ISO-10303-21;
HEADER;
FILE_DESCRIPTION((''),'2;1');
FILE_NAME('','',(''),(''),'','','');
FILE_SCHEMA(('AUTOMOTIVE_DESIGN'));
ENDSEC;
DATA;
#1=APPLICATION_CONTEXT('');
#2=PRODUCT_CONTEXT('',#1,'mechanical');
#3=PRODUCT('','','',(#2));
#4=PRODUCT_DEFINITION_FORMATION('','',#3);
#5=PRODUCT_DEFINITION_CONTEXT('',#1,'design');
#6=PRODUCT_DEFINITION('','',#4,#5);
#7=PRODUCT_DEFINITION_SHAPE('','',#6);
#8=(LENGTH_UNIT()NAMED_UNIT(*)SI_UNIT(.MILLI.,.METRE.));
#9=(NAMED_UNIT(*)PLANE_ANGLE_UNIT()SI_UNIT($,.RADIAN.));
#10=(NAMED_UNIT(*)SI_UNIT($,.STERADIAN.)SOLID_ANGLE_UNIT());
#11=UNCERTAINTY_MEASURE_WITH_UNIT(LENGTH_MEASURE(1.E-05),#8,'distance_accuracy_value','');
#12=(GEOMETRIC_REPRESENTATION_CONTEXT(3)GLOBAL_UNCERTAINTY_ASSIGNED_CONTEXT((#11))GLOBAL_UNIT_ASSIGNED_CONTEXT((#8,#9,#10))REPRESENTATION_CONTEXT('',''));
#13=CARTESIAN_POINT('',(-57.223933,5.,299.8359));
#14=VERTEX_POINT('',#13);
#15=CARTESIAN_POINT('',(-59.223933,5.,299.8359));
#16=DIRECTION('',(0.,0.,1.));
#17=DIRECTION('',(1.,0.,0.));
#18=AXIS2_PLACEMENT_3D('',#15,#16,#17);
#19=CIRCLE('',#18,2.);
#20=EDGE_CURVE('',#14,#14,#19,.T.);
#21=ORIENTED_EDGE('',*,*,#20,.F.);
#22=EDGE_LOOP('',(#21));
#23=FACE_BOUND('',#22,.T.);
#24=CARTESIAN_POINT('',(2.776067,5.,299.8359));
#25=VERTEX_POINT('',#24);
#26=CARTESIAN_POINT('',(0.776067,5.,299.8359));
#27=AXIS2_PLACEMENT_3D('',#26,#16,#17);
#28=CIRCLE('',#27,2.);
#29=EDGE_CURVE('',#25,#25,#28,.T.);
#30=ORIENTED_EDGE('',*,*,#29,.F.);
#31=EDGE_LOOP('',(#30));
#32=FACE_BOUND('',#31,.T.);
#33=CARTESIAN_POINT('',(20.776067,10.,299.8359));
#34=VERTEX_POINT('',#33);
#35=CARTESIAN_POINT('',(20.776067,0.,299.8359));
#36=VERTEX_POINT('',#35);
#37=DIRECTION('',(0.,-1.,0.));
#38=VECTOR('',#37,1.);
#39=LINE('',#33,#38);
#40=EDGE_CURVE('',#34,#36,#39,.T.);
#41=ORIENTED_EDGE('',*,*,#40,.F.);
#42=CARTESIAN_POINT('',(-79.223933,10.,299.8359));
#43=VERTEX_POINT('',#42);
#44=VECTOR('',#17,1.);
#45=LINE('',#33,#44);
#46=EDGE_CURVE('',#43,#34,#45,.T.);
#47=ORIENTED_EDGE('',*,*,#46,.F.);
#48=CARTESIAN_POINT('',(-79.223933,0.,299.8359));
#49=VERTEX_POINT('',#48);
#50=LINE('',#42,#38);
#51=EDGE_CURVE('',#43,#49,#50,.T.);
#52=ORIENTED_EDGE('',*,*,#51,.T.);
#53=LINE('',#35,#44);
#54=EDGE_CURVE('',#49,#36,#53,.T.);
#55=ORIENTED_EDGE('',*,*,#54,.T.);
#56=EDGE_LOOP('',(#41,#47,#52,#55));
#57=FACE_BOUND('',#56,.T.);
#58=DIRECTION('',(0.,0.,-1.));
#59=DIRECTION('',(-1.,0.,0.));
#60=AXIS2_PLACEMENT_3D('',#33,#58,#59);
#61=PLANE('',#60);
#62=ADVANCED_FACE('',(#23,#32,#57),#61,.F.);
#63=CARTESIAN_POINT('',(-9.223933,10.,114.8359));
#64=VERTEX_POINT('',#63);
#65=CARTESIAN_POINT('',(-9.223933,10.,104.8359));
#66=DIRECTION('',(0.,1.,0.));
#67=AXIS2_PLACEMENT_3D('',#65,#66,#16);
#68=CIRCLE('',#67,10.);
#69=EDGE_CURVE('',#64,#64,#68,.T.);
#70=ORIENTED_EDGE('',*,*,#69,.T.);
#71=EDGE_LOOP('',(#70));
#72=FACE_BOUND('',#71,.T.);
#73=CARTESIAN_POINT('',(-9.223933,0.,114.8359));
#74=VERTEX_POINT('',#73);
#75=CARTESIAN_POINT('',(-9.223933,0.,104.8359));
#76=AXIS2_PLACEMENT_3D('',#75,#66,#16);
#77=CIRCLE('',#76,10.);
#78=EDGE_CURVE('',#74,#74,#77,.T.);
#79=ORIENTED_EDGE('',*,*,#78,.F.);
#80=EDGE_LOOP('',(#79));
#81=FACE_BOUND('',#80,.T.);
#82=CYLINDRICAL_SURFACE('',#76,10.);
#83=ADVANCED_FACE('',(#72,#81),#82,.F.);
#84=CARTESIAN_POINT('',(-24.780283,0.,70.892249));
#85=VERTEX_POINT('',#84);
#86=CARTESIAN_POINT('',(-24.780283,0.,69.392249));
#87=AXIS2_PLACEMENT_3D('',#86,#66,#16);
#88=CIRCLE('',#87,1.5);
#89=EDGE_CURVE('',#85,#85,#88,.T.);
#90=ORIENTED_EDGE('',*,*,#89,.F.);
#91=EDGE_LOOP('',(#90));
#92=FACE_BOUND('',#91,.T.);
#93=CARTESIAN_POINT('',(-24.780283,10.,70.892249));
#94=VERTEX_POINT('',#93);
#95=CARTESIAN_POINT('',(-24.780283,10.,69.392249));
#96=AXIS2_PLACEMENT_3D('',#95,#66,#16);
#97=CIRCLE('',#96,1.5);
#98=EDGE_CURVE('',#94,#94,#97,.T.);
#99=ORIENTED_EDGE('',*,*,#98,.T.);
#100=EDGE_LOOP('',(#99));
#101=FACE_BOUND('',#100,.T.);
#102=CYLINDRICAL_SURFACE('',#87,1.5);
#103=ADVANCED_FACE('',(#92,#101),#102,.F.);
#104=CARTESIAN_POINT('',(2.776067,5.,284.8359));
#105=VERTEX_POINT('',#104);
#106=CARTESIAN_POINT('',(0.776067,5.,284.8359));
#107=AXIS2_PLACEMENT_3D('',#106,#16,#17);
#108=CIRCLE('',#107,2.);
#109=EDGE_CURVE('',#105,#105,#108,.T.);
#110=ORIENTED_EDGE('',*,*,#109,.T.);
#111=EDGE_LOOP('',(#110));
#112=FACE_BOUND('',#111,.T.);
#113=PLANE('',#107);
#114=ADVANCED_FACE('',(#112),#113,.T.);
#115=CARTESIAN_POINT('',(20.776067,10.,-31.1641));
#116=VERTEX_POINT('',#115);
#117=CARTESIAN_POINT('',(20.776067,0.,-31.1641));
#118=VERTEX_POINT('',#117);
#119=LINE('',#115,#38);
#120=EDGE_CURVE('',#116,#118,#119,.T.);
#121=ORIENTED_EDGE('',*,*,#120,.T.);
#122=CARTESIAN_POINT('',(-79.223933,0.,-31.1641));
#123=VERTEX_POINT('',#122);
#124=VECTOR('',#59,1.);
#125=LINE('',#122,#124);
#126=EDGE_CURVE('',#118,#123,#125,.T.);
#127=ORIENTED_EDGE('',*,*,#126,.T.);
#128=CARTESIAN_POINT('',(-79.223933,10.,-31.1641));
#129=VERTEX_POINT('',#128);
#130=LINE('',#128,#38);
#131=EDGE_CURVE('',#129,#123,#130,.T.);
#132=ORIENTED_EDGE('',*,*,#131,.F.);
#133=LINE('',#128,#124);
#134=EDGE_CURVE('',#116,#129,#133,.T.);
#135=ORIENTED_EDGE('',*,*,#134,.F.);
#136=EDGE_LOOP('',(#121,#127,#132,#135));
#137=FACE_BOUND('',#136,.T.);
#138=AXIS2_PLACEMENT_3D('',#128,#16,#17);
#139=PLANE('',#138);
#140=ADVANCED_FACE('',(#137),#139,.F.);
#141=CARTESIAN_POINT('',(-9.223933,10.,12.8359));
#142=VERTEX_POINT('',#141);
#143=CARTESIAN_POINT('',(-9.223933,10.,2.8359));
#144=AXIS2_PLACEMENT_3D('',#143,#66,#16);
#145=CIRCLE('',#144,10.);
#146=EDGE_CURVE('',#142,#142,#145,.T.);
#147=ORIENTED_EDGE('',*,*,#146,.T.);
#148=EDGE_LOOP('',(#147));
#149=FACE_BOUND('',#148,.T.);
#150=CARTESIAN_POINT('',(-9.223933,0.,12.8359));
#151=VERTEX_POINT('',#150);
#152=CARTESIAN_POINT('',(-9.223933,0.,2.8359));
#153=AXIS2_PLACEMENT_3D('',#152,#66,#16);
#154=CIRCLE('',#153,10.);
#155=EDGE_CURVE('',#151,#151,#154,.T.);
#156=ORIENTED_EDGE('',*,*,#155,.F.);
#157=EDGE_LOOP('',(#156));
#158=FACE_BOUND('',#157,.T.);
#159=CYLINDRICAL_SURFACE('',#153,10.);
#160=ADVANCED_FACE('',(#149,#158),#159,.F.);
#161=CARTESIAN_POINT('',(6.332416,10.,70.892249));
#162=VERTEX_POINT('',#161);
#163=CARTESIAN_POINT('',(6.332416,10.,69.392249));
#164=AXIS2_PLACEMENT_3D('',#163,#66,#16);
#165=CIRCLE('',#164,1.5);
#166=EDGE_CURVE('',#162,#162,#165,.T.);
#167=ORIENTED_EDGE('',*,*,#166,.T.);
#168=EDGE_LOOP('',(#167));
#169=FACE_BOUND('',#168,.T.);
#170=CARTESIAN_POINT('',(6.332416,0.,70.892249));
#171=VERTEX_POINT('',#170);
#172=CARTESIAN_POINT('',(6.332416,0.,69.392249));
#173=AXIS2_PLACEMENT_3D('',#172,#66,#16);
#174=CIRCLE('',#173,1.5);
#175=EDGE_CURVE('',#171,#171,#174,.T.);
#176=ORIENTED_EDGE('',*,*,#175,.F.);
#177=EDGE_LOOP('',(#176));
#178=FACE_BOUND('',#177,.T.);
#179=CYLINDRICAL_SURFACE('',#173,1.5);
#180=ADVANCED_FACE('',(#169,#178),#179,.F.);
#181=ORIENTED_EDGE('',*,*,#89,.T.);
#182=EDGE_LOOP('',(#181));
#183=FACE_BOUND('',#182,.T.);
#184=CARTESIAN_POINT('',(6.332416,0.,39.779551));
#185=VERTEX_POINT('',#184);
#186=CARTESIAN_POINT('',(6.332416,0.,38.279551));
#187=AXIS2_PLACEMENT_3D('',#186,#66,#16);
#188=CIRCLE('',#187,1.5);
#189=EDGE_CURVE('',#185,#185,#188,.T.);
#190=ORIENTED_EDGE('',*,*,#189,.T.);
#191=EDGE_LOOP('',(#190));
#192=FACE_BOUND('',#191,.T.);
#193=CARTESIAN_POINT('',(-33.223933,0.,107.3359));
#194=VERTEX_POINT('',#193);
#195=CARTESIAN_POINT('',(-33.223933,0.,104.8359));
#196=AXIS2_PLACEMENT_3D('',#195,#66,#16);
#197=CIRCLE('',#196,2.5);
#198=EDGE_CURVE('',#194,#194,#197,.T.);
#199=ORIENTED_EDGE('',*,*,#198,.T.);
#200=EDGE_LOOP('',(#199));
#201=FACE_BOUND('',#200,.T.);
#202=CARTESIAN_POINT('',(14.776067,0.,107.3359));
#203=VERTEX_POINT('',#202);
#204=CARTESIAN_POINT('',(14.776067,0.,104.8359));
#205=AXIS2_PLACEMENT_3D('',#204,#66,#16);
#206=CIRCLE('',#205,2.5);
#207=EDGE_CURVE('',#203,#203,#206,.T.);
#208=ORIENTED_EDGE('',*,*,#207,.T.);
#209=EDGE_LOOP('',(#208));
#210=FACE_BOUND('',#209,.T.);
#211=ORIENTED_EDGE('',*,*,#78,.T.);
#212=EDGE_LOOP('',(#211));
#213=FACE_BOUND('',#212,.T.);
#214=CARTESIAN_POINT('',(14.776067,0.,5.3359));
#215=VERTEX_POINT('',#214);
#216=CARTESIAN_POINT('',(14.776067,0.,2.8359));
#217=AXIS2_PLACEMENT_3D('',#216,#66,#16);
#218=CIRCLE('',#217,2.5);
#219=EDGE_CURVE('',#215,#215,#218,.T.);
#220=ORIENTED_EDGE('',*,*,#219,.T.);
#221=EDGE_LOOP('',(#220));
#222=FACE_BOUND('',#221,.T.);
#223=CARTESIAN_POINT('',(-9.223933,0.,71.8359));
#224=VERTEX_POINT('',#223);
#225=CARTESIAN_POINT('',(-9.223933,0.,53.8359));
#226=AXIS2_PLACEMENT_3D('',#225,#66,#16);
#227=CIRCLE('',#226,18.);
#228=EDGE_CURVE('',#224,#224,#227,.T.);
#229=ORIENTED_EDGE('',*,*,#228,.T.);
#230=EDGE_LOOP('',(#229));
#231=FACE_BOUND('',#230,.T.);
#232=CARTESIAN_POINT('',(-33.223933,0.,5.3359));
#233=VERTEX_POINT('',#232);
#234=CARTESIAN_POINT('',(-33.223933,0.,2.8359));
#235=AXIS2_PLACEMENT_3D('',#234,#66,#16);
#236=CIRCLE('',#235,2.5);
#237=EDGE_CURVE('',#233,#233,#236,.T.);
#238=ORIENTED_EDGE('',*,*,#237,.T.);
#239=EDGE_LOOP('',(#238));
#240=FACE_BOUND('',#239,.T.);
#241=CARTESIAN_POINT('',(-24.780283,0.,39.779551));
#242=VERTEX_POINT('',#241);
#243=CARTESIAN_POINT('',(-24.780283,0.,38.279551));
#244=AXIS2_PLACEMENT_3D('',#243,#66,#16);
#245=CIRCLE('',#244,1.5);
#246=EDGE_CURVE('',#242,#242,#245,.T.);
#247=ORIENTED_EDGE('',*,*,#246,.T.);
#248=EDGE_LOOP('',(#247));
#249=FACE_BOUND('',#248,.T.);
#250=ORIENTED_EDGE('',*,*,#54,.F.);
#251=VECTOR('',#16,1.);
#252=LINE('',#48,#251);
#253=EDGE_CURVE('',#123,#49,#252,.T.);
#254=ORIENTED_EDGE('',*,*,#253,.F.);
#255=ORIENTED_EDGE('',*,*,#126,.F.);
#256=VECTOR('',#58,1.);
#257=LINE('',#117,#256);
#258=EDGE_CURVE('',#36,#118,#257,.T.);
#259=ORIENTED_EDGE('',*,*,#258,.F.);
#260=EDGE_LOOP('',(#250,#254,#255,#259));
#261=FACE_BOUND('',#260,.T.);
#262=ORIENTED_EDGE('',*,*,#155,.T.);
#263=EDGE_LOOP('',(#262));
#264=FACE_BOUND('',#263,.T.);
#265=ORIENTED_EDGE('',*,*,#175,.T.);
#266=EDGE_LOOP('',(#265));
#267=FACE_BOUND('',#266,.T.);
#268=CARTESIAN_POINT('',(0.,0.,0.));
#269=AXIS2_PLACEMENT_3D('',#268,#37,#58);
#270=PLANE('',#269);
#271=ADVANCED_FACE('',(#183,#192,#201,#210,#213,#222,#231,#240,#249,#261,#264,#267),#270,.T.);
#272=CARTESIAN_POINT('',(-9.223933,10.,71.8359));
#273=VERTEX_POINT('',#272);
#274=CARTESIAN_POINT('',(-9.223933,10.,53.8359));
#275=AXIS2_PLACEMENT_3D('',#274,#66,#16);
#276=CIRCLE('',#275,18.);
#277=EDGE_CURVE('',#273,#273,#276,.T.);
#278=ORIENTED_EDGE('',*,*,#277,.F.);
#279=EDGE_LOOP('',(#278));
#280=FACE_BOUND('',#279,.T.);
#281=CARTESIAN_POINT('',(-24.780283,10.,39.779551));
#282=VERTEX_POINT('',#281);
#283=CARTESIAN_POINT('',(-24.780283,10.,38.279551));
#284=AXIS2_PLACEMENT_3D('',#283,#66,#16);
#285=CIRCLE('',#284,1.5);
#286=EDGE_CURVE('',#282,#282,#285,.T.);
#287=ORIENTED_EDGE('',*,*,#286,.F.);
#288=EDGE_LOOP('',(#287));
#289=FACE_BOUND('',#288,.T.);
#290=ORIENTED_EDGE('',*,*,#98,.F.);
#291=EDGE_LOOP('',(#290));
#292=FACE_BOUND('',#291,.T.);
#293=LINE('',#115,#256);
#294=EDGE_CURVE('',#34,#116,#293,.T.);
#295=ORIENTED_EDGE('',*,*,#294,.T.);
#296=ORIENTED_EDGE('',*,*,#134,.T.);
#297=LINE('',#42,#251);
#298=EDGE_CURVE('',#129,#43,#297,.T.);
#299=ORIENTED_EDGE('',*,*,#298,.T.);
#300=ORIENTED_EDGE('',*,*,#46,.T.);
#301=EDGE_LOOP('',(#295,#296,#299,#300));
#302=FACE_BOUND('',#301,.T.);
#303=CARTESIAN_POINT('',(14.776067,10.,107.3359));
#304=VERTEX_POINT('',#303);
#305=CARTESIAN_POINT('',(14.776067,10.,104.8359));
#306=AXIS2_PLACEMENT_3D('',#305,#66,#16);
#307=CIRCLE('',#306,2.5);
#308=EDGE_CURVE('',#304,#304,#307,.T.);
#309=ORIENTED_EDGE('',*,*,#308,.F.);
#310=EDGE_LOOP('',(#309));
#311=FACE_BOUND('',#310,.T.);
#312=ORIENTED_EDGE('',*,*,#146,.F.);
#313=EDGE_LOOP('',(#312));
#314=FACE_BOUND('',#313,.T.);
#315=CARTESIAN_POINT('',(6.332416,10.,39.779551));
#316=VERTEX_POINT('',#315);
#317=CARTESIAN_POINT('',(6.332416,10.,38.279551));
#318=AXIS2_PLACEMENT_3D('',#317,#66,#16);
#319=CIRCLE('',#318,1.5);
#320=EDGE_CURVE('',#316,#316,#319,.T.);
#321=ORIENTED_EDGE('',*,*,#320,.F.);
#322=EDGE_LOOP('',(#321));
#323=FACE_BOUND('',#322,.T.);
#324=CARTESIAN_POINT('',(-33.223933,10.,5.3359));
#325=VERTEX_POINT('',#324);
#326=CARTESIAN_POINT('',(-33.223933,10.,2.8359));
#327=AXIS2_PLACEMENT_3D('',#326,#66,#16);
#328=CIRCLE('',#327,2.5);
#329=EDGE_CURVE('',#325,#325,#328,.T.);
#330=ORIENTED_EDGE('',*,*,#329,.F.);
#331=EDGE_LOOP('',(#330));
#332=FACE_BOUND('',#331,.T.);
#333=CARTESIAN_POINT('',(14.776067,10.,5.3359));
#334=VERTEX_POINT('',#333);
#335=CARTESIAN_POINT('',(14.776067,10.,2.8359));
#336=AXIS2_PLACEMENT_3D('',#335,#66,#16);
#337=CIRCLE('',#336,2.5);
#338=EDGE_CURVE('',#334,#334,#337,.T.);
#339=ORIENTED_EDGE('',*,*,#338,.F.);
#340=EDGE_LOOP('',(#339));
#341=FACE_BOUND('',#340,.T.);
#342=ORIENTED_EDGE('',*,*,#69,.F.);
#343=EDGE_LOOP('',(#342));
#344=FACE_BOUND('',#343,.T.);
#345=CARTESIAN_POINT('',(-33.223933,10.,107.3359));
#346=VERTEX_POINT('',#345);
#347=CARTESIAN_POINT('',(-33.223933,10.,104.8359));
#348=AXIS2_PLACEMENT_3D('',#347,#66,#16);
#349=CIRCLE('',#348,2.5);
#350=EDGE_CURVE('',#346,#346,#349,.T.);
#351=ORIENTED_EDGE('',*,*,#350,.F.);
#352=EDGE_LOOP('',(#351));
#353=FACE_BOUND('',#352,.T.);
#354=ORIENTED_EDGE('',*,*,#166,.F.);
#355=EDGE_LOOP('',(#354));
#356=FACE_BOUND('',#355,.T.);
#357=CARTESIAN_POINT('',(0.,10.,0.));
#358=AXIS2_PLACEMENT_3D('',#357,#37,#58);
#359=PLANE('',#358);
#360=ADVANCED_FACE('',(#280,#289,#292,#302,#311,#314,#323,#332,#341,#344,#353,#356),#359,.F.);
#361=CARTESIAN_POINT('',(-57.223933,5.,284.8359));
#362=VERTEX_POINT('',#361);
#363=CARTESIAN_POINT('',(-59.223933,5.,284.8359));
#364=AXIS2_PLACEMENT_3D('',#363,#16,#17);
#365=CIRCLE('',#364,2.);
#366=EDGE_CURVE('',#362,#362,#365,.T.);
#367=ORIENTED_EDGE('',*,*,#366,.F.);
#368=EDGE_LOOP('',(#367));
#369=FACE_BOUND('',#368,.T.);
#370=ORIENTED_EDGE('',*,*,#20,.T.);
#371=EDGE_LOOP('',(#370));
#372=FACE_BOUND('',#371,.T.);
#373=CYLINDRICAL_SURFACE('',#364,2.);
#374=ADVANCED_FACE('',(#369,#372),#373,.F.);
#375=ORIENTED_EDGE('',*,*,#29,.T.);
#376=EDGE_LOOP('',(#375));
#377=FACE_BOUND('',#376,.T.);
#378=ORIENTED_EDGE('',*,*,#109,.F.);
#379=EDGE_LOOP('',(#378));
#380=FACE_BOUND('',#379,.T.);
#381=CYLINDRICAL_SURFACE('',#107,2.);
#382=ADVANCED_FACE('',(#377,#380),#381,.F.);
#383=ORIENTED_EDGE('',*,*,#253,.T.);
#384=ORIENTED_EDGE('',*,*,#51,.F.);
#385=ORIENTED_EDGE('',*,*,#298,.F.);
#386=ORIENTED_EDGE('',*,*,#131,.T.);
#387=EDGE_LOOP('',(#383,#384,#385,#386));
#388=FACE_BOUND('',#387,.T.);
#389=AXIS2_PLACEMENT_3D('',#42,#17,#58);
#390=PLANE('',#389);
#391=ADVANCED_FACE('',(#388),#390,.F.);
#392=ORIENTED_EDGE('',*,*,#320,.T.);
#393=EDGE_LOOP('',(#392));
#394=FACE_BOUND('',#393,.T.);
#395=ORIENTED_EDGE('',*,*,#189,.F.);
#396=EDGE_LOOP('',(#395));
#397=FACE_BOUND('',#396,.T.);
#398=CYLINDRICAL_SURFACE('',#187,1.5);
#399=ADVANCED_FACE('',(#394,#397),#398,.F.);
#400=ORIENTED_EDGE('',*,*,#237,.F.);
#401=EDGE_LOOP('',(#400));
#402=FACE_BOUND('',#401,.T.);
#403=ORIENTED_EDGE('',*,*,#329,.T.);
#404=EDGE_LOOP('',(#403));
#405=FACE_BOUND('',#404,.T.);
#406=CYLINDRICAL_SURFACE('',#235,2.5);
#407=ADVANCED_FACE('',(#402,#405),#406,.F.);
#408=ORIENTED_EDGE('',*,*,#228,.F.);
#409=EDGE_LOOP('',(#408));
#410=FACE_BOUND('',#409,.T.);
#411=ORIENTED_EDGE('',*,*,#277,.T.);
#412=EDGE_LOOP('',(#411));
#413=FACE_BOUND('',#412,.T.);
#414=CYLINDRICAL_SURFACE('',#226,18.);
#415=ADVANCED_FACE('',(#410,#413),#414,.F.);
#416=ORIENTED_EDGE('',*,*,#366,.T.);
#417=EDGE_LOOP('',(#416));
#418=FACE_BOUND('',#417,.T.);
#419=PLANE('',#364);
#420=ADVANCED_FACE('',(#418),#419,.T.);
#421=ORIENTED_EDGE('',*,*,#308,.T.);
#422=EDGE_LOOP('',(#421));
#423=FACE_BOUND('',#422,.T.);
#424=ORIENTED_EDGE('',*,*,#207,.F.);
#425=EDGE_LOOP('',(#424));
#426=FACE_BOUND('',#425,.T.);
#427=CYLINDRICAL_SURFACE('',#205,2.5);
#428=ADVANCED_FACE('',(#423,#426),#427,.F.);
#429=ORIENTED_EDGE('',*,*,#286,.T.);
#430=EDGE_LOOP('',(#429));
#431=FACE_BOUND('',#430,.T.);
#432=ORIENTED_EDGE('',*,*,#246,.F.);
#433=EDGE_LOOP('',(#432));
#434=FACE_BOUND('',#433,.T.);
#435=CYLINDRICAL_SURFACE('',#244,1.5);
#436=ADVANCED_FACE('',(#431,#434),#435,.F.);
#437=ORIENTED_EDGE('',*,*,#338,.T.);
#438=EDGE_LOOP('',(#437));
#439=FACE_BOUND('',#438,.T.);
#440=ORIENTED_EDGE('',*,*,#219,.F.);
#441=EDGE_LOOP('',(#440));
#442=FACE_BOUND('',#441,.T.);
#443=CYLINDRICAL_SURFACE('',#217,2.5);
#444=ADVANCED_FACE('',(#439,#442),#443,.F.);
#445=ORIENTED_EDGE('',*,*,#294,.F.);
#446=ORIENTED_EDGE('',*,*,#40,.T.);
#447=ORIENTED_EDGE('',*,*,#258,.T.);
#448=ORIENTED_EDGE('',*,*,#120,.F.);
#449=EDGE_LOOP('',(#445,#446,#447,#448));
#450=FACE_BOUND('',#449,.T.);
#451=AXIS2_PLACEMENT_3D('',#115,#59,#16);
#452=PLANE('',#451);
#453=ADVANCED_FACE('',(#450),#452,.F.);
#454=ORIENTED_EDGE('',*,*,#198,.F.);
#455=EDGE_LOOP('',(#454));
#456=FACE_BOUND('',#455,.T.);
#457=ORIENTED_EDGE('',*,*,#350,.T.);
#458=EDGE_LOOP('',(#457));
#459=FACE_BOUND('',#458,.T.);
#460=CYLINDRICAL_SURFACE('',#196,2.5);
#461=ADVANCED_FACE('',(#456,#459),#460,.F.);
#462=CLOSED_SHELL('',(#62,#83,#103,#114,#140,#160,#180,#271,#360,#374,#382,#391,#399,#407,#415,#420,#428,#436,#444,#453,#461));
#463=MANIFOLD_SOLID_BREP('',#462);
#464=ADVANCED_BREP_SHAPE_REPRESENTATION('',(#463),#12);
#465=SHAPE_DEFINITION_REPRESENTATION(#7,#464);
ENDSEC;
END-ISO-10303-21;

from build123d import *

# Parameters (mm, degrees)
SKETCH1_W           = 100
SKETCH1_H           = 331
BOSS_EXTRUDE1_DEPTH = 10
SKETCH2_R           = 10
SKETCH2_R_2         = 2.5
SKETCH2_R_3         = 18
SKETCH2_R_4         = 1.5
CUT_EXTRUDE1_DEPTH  = 311.286961886
SKETCH3_R           = 2
CUT_EXTRUDE2_DEPTH  = 15


with BuildPart() as part:
    # Sketch1 → Boss-Extrude1 (new body)
    with BuildSketch(Plane(origin=(0, 0, 0), x_dir=(1, 0, 0), z_dir=(0, 1, 0))):
        with Locations((-29.223933498, -134.335900248)):
            Rectangle(SKETCH1_W, SKETCH1_H)
    extrude(amount=BOSS_EXTRUDE1_DEPTH)

    # Sketch2 → Cut-Extrude1 (cut, through all)
    with BuildSketch(Plane(origin=(0, 10, 0), x_dir=(1, 0, 0), z_dir=(0, 1, 0))):
        with Locations(Location((-9.223933498, -2.835900248, 0), (0, 0, 270))):
            Circle(SKETCH2_R)
        with Locations(Location((-33.223933498, -2.835900248, 0), (0, 0, 270))):
            Circle(SKETCH2_R_2)
        with Locations(Location((14.776066502, -2.835900248, 0), (0, 0, 270))):
            Circle(SKETCH2_R_2)
        with Locations(Location((-9.223933498, -104.835900248, 0), (0, 0, 270))):
            Circle(SKETCH2_R)
        with Locations(Location((-33.223933498, -104.835900248, 0), (0, 0, 270))):
            Circle(SKETCH2_R_2)
        with Locations(Location((14.776066502, -104.835900248, 0), (0, 0, 270))):
            Circle(SKETCH2_R_2)
        with Locations(Location((-9.223933498, -53.835900248, 0), (0, 0, 270))):
            Circle(SKETCH2_R_3)
        with Locations(Location((6.332415688, -38.279551062, 0), (0, 0, 270))):
            Circle(SKETCH2_R_4)
        with Locations(Location((6.332415688, -69.392249434, 0), (0, 0, 270))):
            Circle(SKETCH2_R_4)
        with Locations(Location((-24.780282685, -69.392249434, 0), (0, 0, 270))):
            Circle(SKETCH2_R_4)
        with Locations(Location((-24.780282685, -38.279551062, 0), (0, 0, 270))):
            Circle(SKETCH2_R_4)
    extrude(amount=-CUT_EXTRUDE1_DEPTH, mode=Mode.SUBTRACT)

    # Sketch3 → Cut-Extrude2 (cut)
    with BuildSketch(Plane.XY.offset(299.835900248)):
        with Locations((-59.223933498, 5)):
            Circle(SKETCH3_R)
        with Locations((0.776066502, 5)):
            Circle(SKETCH3_R)
    extrude(amount=-CUT_EXTRUDE2_DEPTH, mode=Mode.SUBTRACT)


solid = part.part
